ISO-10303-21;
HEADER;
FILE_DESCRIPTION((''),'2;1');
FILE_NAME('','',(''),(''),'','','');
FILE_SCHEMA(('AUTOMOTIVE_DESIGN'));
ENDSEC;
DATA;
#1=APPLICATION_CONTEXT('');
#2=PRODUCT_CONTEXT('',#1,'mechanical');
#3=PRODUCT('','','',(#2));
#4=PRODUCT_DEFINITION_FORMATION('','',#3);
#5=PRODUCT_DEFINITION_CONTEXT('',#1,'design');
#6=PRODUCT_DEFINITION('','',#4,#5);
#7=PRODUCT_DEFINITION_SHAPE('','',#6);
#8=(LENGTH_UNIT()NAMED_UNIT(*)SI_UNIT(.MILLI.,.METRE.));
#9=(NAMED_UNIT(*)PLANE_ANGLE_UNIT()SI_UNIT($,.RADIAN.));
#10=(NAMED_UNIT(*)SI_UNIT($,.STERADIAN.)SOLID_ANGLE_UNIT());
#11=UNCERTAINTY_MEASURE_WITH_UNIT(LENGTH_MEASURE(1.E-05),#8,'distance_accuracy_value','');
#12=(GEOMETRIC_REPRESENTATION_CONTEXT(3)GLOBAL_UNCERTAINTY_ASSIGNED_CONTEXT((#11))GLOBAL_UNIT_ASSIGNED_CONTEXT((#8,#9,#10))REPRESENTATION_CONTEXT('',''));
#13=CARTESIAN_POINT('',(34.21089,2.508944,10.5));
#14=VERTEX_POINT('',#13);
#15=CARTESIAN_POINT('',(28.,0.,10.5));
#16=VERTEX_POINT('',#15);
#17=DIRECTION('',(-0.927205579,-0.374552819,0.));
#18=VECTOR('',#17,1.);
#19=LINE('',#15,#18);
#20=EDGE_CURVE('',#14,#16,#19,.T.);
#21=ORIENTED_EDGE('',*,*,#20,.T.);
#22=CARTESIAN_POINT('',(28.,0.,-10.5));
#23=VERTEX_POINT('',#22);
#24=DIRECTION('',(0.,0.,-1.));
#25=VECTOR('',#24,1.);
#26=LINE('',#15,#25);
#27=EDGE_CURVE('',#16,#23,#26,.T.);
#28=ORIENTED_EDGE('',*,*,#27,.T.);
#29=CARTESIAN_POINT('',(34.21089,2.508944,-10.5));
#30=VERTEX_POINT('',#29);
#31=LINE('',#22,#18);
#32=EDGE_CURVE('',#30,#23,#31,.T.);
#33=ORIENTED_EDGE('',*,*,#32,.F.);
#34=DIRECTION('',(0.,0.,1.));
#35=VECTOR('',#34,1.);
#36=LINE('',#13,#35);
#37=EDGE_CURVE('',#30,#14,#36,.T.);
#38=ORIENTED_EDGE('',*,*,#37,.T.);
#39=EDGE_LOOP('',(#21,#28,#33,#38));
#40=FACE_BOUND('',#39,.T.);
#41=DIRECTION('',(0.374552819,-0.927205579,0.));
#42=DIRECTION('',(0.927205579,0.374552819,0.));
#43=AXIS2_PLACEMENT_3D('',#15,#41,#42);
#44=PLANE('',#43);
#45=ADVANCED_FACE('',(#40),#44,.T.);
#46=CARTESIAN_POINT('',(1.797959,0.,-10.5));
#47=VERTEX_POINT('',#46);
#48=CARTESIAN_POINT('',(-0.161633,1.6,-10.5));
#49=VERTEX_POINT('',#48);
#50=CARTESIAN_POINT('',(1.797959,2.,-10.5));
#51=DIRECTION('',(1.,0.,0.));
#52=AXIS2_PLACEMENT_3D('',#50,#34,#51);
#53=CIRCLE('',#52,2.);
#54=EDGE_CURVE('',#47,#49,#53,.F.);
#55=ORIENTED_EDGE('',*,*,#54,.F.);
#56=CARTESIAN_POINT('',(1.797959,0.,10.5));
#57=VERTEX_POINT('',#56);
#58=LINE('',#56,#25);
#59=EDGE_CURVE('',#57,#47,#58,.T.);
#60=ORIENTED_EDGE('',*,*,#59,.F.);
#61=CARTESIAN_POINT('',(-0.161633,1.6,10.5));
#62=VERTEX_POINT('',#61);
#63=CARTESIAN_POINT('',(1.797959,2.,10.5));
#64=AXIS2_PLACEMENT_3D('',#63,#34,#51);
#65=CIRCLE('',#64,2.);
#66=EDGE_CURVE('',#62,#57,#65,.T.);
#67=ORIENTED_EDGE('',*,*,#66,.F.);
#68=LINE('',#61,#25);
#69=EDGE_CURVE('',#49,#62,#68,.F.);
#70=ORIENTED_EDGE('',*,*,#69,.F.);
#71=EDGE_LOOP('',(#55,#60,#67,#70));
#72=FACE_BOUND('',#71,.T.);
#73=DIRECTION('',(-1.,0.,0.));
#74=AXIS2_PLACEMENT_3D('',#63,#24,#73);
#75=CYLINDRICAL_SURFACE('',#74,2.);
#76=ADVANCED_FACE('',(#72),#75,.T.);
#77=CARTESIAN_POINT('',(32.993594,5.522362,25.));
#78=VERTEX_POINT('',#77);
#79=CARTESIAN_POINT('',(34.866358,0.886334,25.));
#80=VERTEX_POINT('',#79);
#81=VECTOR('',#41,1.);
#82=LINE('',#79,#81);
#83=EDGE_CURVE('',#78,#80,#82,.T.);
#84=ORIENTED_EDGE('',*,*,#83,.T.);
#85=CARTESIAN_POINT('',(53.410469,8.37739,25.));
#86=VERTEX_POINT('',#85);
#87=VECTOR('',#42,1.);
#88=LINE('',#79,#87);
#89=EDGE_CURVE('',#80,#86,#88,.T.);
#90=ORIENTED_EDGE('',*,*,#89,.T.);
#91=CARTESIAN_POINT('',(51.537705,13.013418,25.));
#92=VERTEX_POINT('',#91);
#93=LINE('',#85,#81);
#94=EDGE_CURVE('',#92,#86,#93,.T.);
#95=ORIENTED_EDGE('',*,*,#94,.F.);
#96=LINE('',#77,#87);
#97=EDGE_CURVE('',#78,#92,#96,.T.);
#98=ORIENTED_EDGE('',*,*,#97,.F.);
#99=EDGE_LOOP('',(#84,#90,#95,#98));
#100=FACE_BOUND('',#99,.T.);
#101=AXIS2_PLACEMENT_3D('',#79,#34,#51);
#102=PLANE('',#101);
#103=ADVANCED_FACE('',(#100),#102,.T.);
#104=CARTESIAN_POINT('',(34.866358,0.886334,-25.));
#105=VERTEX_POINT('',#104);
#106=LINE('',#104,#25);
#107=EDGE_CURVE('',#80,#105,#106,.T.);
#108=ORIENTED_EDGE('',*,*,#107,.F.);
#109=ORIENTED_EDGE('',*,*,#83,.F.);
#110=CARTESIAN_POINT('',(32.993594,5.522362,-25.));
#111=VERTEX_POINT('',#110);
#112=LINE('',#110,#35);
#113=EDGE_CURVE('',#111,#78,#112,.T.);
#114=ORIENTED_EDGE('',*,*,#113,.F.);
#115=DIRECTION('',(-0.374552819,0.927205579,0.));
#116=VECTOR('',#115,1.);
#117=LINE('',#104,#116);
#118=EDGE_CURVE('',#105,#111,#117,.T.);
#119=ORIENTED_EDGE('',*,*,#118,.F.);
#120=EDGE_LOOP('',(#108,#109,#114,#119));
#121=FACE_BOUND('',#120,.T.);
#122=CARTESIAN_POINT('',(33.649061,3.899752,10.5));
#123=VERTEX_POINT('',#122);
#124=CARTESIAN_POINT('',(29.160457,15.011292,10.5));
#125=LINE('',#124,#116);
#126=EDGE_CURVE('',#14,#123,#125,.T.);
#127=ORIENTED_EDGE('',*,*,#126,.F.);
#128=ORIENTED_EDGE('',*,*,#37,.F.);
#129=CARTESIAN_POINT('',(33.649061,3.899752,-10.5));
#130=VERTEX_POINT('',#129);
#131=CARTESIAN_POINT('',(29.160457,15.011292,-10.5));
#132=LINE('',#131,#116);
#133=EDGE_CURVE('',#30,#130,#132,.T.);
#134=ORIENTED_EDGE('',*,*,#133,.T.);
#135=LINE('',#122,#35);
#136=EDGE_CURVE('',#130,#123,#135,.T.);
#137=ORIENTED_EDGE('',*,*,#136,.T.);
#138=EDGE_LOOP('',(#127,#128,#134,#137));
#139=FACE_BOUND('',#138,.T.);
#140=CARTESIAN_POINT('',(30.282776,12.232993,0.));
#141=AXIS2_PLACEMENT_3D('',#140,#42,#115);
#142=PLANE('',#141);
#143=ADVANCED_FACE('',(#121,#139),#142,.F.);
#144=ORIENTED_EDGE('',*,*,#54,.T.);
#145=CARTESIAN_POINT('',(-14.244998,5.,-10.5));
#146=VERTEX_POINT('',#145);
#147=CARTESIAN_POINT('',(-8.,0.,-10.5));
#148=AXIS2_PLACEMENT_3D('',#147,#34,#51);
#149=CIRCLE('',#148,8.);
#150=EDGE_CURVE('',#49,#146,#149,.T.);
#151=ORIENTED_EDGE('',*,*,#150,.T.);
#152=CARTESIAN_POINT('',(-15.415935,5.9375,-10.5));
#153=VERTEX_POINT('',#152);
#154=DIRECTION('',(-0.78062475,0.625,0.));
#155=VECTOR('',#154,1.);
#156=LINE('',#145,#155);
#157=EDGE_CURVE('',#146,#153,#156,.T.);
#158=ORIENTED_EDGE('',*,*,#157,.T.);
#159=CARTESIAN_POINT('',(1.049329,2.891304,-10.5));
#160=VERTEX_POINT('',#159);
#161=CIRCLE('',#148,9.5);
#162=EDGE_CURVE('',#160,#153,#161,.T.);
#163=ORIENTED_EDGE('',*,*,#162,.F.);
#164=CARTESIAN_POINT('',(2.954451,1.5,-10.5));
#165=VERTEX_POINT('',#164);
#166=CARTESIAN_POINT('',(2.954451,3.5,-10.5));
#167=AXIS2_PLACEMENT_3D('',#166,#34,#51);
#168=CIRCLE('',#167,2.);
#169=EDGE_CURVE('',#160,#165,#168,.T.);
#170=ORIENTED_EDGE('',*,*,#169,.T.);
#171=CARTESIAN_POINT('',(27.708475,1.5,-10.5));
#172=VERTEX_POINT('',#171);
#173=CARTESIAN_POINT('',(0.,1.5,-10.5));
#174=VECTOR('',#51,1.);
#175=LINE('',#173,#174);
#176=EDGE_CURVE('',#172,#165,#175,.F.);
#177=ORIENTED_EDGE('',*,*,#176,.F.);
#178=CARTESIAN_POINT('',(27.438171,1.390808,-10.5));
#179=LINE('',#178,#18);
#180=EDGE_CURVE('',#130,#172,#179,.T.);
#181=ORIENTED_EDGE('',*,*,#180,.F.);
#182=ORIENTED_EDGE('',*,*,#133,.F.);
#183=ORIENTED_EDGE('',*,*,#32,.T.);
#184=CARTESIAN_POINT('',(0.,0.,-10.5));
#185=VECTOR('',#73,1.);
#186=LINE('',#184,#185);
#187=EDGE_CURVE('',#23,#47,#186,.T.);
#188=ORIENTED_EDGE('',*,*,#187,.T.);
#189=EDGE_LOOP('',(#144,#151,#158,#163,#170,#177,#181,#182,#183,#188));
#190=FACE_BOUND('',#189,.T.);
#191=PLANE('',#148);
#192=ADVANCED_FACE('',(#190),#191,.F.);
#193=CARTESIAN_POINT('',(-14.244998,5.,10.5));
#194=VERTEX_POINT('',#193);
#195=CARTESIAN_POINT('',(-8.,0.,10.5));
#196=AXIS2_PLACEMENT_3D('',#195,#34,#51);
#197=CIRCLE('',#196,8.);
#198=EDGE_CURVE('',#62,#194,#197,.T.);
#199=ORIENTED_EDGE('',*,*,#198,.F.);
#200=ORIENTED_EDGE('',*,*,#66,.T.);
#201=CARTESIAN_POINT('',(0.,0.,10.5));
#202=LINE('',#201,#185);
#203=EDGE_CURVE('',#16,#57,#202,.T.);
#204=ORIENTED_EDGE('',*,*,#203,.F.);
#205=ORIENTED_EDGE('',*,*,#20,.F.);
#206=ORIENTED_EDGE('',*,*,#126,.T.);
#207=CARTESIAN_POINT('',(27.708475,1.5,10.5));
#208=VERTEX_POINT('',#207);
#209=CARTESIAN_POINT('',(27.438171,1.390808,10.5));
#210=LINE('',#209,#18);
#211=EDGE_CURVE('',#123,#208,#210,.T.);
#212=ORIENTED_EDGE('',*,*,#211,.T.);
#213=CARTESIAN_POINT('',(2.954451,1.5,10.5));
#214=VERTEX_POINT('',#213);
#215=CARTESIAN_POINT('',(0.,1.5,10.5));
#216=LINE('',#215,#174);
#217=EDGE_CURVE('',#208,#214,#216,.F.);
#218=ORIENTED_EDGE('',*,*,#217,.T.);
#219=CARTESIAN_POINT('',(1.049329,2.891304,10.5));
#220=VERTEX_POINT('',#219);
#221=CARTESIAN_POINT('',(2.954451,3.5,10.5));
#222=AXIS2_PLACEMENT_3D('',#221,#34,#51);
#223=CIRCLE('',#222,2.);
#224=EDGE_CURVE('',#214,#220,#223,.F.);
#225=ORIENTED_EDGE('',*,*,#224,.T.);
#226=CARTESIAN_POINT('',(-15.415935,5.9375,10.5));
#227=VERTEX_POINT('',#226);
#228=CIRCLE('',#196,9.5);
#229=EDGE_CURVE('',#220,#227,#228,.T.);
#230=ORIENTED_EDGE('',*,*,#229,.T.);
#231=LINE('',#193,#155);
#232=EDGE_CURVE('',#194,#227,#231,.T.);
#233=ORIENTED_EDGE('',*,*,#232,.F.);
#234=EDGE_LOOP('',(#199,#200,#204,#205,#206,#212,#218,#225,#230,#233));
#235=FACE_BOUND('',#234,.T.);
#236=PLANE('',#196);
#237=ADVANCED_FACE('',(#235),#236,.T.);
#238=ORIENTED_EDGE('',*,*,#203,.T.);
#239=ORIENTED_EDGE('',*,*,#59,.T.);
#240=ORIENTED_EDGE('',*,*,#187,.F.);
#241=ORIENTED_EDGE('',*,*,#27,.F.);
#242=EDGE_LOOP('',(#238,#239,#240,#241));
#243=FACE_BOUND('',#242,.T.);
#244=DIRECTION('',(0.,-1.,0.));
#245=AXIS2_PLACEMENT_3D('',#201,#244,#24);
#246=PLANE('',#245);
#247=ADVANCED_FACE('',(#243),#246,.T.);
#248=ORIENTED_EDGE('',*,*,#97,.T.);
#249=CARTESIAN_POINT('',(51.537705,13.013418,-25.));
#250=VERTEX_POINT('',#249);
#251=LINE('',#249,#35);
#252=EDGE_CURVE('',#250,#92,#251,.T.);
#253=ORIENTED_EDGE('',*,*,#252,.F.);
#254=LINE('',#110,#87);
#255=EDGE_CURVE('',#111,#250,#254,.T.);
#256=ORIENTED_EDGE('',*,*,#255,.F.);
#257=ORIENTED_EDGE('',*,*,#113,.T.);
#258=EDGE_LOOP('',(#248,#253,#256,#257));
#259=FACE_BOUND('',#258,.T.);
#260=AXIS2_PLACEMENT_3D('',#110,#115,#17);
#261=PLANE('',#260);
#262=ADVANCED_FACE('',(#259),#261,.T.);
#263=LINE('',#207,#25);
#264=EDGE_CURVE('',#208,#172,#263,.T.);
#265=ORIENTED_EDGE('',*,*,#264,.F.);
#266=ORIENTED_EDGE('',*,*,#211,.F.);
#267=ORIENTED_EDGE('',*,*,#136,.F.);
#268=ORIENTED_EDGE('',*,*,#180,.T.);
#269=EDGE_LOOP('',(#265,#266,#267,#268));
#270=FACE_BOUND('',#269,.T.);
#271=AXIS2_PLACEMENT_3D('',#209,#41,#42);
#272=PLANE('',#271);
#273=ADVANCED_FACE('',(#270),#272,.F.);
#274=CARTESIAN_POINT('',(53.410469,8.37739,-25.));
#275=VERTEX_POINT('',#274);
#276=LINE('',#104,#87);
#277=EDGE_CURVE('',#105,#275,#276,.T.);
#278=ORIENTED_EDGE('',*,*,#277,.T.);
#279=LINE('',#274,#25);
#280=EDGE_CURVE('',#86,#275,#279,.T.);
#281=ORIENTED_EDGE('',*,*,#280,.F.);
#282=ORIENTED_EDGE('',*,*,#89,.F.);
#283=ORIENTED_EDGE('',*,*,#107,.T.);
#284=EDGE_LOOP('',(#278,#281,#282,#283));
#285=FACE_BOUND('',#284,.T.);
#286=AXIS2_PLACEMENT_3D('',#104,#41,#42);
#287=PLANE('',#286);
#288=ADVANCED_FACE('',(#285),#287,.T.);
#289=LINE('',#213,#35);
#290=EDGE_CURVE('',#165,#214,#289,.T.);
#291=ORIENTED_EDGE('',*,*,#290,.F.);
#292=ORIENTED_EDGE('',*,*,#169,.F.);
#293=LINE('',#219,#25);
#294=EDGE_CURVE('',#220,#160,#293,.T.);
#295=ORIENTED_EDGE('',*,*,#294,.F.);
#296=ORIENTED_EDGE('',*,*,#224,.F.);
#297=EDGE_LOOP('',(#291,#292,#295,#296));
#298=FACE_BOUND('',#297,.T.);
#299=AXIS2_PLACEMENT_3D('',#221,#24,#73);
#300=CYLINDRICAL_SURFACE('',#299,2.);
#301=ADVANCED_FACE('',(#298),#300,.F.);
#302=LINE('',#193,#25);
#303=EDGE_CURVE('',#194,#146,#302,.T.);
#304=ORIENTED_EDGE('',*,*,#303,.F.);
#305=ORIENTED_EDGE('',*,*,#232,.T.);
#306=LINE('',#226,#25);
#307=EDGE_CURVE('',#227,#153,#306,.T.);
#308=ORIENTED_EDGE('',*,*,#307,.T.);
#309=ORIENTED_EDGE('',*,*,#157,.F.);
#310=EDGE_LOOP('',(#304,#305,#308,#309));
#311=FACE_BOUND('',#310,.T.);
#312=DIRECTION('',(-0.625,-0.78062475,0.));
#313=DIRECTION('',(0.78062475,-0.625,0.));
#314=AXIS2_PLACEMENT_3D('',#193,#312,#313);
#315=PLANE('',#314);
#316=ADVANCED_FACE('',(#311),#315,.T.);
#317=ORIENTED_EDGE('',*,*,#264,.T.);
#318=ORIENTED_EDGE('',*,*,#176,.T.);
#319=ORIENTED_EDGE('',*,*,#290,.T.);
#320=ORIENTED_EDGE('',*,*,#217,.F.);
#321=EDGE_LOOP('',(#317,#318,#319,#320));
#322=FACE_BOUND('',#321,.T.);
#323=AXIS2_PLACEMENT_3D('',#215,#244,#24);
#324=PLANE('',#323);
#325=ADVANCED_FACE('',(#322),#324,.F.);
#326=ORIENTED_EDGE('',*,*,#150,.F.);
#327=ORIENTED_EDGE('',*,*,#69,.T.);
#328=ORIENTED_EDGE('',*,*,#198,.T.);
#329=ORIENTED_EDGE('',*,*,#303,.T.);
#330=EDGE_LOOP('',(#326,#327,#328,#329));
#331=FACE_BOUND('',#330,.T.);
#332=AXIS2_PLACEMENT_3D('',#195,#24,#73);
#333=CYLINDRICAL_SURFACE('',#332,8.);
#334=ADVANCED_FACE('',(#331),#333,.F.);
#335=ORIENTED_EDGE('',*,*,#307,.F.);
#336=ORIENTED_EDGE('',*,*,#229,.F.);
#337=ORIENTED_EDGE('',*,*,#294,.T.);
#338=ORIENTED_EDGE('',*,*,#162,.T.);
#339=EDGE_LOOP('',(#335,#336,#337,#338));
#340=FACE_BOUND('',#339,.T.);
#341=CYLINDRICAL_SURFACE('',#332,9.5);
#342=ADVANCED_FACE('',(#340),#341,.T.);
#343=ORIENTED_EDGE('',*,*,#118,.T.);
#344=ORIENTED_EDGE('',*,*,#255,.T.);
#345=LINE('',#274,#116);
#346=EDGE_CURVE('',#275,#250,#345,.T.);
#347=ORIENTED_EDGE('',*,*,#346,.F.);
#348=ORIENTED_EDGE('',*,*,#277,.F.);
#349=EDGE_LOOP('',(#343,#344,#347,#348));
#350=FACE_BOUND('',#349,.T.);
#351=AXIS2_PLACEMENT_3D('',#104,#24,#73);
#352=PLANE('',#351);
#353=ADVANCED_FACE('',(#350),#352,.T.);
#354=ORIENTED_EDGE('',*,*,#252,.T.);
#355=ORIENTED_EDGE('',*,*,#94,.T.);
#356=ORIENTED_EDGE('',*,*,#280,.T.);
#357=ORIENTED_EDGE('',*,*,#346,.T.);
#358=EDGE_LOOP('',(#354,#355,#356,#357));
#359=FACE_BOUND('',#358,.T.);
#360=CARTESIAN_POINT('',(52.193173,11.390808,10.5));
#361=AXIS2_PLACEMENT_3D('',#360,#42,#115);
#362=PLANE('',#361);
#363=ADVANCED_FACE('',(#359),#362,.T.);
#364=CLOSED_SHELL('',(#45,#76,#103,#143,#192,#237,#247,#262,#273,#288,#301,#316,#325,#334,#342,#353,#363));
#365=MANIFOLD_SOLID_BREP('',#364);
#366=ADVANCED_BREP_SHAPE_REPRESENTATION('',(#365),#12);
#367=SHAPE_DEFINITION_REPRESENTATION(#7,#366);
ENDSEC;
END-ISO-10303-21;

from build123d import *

# Parameters (mm, degrees)
EXTRUDE_THIN1_DEPTH = 10.5
FILLET1_R           = 2
FILLET2_R           = 2
SKETCH3_W           = 50
SKETCH3_H           = 5
BOSS_EXTRUDE1_DEPTH = 20


with BuildPart() as part:
    # Sketch1 → Extrude-Thin1 (new body, symmetric)
    with BuildSketch(Plane.XY):
        with BuildLine():
            ThreePointArc((-14.244997998, 5), (-5.350470229, 7.548509256), (0, 0))
            Line((0, 0), (28, 0))
            Line((28, 0), (52.755002002, 10))
            Line((52.755002002, 10), (52.193172773, 11.390808368))
            Line((52.193172773, 11.390808368), (27.708474677, 1.5))
            Line((27.708474677, 1.5), (1.38083152, 1.5))
            ThreePointArc((1.38083152, 1.5), (-5.573468314, 9.184875828), (-15.415935123, 5.9375))
            Line((-15.415935123, 5.9375), (-14.244997998, 5))
        make_face()
    extrude(amount=EXTRUDE_THIN1_DEPTH, both=True)

    # Fillet1
    fillet1_edges = [part.edges().sort_by_distance(p)[0] for p in [
        (0, 0, 0),
    ]]
    fillet(fillet1_edges, radius=FILLET1_R)

    # Fillet2
    fillet2_edges = [part.edges().sort_by_distance(p)[0] for p in [
        (1.38083152, 1.5, 0),
    ]]
    fillet(fillet2_edges, radius=FILLET2_R)

    # Sketch3 → Boss-Extrude1 (add)
    with BuildSketch(Plane(origin=(48.826887199, 19.72404898, 0), x_dir=(0, 0, -1), z_dir=(0.927205579, 0.374552819, 0))):
        with Locations((0, -9.737478938)):
            Rectangle(SKETCH3_W, SKETCH3_H)
    extrude(amount=-BOSS_EXTRUDE1_DEPTH)


solid = part.part
